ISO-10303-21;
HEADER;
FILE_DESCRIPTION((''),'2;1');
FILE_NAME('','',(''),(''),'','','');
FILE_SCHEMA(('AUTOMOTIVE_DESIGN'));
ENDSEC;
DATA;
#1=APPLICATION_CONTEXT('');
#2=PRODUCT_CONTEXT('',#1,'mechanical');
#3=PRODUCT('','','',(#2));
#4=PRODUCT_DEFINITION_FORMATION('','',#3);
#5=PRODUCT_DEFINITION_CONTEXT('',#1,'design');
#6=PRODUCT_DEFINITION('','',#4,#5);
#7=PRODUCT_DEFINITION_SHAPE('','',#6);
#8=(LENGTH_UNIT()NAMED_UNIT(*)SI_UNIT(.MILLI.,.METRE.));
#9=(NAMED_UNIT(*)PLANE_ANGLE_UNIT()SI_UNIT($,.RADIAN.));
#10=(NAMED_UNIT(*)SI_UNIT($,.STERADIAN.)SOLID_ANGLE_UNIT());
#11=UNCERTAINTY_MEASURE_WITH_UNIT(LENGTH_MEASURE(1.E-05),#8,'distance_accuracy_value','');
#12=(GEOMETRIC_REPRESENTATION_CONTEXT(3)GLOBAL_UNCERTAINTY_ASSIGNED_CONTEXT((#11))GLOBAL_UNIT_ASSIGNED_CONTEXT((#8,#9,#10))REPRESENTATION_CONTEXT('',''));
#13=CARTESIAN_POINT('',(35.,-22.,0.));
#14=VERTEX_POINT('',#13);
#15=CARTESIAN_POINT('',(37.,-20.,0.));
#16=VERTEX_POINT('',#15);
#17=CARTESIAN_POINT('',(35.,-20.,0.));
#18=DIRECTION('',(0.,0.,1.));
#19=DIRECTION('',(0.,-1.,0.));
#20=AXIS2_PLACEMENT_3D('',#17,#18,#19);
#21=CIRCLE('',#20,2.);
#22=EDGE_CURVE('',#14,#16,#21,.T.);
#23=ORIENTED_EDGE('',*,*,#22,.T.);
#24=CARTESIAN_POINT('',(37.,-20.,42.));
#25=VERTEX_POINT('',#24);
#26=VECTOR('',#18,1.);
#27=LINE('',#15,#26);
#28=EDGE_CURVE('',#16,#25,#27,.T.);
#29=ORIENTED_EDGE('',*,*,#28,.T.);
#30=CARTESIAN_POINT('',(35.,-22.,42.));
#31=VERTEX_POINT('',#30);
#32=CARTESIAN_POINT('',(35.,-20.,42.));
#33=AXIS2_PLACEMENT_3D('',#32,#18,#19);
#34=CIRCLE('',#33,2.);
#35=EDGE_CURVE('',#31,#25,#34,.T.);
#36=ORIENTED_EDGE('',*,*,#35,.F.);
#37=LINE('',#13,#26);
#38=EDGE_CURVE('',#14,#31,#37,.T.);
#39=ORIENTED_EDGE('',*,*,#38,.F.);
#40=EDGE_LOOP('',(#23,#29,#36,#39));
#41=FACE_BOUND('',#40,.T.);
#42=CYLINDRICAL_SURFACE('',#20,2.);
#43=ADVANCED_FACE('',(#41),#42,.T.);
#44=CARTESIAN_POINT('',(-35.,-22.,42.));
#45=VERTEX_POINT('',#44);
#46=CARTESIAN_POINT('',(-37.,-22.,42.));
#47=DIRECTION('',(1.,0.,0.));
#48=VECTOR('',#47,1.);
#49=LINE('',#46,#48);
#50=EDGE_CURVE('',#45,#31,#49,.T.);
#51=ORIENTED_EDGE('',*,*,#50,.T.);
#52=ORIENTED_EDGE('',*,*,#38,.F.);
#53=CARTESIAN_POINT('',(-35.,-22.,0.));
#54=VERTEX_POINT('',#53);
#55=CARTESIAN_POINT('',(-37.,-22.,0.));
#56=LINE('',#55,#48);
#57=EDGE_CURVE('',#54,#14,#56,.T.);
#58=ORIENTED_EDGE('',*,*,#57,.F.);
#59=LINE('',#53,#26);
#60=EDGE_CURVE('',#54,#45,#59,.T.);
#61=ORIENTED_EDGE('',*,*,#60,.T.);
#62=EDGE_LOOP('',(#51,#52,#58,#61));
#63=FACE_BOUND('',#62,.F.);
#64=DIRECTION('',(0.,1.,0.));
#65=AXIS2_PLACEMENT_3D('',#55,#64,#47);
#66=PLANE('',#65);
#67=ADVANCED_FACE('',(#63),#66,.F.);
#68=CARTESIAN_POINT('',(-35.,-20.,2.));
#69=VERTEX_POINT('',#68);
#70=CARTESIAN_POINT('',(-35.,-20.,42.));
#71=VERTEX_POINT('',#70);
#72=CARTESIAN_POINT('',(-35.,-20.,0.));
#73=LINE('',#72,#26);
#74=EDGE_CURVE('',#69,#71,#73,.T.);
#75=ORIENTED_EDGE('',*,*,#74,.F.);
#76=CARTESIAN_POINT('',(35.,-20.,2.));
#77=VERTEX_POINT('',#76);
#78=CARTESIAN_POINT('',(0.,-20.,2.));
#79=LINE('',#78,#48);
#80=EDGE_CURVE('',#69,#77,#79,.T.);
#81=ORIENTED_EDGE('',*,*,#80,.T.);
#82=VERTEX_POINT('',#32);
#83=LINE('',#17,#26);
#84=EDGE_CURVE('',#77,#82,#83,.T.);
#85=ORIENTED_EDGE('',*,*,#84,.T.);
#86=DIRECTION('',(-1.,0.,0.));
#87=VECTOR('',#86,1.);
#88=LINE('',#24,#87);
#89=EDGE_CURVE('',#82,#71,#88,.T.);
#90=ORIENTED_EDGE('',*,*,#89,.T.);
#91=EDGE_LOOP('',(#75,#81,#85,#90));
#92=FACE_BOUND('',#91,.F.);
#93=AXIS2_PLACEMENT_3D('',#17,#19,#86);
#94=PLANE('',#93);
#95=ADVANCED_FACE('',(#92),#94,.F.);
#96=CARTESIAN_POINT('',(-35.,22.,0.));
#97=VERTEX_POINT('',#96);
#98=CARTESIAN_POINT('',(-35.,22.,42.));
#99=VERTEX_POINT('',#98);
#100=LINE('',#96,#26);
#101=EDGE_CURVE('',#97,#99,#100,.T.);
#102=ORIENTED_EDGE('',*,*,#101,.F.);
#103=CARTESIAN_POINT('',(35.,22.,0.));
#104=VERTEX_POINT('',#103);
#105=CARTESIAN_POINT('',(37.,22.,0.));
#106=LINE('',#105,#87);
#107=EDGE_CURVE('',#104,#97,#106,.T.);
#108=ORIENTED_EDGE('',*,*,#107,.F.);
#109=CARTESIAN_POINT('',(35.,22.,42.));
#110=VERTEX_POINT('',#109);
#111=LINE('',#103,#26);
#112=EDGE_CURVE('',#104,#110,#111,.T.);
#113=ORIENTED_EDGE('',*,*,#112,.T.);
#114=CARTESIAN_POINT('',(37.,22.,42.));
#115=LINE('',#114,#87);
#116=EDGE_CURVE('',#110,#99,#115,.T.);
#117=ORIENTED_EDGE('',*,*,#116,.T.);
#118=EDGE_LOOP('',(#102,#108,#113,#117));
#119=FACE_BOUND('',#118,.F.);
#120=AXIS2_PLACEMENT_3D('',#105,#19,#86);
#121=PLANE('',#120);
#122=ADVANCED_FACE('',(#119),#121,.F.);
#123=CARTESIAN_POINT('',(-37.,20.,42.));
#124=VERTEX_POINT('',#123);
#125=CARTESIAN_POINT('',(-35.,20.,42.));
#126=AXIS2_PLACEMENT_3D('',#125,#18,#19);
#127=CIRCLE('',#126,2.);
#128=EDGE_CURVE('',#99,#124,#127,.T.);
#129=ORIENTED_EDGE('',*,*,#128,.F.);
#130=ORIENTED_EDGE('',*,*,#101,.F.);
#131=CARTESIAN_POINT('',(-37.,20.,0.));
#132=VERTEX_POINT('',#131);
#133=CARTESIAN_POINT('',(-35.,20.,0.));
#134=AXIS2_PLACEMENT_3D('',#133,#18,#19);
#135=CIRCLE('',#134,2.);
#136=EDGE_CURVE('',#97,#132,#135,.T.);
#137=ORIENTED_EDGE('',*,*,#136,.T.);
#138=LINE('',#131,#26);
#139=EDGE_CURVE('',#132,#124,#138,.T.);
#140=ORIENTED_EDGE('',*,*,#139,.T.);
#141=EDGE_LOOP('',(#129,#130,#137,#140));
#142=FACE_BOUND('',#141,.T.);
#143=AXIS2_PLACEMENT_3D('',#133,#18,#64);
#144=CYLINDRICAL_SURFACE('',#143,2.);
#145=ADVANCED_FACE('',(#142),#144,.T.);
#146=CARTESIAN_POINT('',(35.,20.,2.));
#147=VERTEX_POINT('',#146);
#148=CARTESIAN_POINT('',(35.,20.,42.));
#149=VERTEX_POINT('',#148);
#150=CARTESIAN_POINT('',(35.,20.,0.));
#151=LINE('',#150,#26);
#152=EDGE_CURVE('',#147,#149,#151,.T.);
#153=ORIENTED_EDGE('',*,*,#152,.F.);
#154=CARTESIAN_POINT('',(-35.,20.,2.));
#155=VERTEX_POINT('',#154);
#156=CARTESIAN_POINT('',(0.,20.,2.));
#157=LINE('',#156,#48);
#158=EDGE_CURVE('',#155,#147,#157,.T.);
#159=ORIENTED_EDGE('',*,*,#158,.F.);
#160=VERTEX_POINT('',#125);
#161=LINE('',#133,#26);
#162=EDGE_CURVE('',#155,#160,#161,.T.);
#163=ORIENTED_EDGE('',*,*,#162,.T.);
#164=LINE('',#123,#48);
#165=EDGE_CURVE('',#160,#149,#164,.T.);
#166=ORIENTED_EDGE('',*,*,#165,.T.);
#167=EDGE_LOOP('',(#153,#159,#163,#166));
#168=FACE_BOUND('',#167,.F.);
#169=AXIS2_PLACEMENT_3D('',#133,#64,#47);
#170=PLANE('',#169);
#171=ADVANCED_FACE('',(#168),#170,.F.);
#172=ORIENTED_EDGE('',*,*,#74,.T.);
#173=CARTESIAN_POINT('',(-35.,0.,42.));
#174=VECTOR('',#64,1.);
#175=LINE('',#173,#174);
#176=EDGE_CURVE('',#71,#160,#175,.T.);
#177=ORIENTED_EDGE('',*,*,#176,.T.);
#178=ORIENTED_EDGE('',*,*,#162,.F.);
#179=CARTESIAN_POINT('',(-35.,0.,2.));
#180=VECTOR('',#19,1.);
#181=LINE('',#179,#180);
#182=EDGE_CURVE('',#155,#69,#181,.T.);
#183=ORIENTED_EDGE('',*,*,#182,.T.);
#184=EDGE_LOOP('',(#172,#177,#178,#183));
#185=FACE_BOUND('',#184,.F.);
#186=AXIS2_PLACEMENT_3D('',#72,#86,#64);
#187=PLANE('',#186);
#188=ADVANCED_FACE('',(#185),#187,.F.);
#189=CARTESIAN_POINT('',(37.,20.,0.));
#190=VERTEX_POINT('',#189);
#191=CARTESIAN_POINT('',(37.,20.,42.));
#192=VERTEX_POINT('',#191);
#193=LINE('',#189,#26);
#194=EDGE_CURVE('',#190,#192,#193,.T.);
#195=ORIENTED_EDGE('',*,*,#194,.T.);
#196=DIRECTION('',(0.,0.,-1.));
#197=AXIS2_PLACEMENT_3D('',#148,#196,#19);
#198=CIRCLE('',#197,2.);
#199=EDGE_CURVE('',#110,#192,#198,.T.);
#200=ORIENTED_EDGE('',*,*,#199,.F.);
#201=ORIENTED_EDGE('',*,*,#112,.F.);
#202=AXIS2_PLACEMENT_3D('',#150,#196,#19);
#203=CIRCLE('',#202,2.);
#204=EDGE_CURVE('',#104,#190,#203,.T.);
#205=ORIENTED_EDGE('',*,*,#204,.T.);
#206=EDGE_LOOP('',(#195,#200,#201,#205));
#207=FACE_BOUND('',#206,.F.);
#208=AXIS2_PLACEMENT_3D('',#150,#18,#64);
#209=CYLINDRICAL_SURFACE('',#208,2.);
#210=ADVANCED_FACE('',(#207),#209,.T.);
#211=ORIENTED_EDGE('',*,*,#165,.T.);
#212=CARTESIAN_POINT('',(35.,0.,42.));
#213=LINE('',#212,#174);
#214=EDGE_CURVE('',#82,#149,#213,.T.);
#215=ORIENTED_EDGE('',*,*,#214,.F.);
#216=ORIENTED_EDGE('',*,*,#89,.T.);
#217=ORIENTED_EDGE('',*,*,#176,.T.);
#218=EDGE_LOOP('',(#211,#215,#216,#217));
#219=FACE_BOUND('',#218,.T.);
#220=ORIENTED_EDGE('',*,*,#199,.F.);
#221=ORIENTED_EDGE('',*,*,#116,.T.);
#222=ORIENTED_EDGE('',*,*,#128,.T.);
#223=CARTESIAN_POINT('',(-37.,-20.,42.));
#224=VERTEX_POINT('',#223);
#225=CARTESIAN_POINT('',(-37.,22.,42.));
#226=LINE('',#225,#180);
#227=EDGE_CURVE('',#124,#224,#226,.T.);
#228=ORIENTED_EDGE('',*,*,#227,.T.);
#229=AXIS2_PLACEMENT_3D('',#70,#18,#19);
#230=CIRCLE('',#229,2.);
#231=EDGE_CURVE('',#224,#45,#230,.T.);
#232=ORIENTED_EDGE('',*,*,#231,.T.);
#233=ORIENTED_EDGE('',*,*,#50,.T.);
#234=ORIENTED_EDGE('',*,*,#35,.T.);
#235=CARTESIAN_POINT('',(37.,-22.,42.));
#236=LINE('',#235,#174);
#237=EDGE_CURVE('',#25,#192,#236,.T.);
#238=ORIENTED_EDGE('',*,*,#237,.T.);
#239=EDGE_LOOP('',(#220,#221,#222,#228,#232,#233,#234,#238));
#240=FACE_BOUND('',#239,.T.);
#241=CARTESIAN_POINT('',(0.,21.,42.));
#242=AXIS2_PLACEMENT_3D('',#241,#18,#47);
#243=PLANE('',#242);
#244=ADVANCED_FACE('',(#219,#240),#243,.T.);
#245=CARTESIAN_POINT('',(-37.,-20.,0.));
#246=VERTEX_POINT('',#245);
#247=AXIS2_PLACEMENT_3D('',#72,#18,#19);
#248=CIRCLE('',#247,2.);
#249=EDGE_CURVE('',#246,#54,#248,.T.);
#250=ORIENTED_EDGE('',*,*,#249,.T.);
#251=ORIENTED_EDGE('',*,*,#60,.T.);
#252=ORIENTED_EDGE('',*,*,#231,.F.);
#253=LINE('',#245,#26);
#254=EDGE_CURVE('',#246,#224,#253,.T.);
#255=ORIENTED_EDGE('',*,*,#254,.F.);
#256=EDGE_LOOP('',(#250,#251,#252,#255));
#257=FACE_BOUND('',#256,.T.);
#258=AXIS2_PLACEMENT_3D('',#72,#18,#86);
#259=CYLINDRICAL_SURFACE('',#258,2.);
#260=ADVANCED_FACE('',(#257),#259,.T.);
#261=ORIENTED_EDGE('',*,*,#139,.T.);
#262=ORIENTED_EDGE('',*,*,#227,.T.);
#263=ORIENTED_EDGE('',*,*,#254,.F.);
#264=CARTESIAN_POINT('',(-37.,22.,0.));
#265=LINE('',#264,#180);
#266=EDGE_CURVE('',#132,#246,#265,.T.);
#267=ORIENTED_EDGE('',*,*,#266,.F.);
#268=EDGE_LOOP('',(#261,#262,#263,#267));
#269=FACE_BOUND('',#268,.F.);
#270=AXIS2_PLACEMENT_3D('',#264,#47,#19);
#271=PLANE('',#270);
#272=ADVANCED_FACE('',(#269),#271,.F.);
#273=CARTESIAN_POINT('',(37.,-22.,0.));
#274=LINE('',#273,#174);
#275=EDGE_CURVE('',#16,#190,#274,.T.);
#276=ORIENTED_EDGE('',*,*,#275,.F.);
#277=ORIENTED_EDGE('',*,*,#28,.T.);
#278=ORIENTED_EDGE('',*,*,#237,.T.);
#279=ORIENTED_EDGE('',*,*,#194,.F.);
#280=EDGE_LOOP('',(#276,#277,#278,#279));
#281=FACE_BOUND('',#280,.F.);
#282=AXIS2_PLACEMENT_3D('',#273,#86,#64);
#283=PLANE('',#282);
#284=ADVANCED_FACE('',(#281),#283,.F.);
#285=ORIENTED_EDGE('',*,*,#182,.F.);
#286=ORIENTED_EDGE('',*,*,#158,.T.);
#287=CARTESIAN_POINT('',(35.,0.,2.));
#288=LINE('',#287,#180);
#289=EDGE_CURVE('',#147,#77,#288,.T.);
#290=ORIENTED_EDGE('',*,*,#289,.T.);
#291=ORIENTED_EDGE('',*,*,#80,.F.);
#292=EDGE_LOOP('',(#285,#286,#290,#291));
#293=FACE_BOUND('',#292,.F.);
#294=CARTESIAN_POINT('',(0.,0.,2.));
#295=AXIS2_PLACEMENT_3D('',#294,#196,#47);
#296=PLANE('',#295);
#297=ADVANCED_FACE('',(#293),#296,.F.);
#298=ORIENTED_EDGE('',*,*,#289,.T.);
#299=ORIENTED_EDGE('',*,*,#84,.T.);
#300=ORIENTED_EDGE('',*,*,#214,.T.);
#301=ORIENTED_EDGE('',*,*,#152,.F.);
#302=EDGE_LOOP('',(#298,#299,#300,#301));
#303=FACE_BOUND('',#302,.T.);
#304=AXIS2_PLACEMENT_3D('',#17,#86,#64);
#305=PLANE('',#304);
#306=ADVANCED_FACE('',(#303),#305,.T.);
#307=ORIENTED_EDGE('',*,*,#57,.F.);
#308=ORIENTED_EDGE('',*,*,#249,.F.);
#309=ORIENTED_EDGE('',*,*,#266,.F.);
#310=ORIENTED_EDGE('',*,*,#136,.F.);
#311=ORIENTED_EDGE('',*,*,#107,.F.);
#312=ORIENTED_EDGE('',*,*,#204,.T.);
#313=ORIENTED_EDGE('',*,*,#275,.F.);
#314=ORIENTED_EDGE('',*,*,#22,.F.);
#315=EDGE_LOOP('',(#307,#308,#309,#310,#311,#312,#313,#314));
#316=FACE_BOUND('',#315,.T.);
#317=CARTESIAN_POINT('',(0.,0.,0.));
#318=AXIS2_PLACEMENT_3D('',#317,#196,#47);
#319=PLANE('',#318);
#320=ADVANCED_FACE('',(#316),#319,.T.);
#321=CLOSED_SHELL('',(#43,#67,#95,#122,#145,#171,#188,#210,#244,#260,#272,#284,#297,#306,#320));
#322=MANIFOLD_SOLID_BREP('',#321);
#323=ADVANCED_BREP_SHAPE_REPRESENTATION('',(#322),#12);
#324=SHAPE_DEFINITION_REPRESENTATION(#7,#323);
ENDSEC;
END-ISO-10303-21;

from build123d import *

# Parameters (mm, degrees)
F0_W     = 2
F0_H     = 40
F1_DEPTH = 42
F2_W     = 70
F2_H     = 40
F3_DEPTH = 2
F4_R     = 2


with BuildPart() as f1:
    # F0 (on Top) → F1 (new body)
    with BuildSketch(Plane.XY):
        Polygon((-37, 20), (-35, 20), (35, 20), (37, 20), (37, 22), (-37, 22), align=None)
        with Locations((-36, 0)):
            Rectangle(F0_W, F0_H)
        Polygon((35, -20), (-35, -20), (-37, -20), (-37, -22), (37, -22), (37, -20), align=None)
        with Locations((36, 0)):
            Rectangle(F0_W, F0_H)
    extrude(amount=F1_DEPTH)

    # F2 (on face) → F3 (join)
    with BuildSketch(Plane(origin=(0, 0, 0), x_dir=(1, 0, 0), z_dir=(0, 0, -1))):
        Rectangle(F2_W, F2_H)
    extrude(amount=-F3_DEPTH)

    # F4
    f4_edges = [f1.edges().sort_by_distance(p)[0] for p in [
        (37, -22, 21),
        (37, 22, 21),
        (-37, -22, 21),
        (-37, 22, 21),
    ]]
    fillet(f4_edges, radius=F4_R)


solid = f1.part
